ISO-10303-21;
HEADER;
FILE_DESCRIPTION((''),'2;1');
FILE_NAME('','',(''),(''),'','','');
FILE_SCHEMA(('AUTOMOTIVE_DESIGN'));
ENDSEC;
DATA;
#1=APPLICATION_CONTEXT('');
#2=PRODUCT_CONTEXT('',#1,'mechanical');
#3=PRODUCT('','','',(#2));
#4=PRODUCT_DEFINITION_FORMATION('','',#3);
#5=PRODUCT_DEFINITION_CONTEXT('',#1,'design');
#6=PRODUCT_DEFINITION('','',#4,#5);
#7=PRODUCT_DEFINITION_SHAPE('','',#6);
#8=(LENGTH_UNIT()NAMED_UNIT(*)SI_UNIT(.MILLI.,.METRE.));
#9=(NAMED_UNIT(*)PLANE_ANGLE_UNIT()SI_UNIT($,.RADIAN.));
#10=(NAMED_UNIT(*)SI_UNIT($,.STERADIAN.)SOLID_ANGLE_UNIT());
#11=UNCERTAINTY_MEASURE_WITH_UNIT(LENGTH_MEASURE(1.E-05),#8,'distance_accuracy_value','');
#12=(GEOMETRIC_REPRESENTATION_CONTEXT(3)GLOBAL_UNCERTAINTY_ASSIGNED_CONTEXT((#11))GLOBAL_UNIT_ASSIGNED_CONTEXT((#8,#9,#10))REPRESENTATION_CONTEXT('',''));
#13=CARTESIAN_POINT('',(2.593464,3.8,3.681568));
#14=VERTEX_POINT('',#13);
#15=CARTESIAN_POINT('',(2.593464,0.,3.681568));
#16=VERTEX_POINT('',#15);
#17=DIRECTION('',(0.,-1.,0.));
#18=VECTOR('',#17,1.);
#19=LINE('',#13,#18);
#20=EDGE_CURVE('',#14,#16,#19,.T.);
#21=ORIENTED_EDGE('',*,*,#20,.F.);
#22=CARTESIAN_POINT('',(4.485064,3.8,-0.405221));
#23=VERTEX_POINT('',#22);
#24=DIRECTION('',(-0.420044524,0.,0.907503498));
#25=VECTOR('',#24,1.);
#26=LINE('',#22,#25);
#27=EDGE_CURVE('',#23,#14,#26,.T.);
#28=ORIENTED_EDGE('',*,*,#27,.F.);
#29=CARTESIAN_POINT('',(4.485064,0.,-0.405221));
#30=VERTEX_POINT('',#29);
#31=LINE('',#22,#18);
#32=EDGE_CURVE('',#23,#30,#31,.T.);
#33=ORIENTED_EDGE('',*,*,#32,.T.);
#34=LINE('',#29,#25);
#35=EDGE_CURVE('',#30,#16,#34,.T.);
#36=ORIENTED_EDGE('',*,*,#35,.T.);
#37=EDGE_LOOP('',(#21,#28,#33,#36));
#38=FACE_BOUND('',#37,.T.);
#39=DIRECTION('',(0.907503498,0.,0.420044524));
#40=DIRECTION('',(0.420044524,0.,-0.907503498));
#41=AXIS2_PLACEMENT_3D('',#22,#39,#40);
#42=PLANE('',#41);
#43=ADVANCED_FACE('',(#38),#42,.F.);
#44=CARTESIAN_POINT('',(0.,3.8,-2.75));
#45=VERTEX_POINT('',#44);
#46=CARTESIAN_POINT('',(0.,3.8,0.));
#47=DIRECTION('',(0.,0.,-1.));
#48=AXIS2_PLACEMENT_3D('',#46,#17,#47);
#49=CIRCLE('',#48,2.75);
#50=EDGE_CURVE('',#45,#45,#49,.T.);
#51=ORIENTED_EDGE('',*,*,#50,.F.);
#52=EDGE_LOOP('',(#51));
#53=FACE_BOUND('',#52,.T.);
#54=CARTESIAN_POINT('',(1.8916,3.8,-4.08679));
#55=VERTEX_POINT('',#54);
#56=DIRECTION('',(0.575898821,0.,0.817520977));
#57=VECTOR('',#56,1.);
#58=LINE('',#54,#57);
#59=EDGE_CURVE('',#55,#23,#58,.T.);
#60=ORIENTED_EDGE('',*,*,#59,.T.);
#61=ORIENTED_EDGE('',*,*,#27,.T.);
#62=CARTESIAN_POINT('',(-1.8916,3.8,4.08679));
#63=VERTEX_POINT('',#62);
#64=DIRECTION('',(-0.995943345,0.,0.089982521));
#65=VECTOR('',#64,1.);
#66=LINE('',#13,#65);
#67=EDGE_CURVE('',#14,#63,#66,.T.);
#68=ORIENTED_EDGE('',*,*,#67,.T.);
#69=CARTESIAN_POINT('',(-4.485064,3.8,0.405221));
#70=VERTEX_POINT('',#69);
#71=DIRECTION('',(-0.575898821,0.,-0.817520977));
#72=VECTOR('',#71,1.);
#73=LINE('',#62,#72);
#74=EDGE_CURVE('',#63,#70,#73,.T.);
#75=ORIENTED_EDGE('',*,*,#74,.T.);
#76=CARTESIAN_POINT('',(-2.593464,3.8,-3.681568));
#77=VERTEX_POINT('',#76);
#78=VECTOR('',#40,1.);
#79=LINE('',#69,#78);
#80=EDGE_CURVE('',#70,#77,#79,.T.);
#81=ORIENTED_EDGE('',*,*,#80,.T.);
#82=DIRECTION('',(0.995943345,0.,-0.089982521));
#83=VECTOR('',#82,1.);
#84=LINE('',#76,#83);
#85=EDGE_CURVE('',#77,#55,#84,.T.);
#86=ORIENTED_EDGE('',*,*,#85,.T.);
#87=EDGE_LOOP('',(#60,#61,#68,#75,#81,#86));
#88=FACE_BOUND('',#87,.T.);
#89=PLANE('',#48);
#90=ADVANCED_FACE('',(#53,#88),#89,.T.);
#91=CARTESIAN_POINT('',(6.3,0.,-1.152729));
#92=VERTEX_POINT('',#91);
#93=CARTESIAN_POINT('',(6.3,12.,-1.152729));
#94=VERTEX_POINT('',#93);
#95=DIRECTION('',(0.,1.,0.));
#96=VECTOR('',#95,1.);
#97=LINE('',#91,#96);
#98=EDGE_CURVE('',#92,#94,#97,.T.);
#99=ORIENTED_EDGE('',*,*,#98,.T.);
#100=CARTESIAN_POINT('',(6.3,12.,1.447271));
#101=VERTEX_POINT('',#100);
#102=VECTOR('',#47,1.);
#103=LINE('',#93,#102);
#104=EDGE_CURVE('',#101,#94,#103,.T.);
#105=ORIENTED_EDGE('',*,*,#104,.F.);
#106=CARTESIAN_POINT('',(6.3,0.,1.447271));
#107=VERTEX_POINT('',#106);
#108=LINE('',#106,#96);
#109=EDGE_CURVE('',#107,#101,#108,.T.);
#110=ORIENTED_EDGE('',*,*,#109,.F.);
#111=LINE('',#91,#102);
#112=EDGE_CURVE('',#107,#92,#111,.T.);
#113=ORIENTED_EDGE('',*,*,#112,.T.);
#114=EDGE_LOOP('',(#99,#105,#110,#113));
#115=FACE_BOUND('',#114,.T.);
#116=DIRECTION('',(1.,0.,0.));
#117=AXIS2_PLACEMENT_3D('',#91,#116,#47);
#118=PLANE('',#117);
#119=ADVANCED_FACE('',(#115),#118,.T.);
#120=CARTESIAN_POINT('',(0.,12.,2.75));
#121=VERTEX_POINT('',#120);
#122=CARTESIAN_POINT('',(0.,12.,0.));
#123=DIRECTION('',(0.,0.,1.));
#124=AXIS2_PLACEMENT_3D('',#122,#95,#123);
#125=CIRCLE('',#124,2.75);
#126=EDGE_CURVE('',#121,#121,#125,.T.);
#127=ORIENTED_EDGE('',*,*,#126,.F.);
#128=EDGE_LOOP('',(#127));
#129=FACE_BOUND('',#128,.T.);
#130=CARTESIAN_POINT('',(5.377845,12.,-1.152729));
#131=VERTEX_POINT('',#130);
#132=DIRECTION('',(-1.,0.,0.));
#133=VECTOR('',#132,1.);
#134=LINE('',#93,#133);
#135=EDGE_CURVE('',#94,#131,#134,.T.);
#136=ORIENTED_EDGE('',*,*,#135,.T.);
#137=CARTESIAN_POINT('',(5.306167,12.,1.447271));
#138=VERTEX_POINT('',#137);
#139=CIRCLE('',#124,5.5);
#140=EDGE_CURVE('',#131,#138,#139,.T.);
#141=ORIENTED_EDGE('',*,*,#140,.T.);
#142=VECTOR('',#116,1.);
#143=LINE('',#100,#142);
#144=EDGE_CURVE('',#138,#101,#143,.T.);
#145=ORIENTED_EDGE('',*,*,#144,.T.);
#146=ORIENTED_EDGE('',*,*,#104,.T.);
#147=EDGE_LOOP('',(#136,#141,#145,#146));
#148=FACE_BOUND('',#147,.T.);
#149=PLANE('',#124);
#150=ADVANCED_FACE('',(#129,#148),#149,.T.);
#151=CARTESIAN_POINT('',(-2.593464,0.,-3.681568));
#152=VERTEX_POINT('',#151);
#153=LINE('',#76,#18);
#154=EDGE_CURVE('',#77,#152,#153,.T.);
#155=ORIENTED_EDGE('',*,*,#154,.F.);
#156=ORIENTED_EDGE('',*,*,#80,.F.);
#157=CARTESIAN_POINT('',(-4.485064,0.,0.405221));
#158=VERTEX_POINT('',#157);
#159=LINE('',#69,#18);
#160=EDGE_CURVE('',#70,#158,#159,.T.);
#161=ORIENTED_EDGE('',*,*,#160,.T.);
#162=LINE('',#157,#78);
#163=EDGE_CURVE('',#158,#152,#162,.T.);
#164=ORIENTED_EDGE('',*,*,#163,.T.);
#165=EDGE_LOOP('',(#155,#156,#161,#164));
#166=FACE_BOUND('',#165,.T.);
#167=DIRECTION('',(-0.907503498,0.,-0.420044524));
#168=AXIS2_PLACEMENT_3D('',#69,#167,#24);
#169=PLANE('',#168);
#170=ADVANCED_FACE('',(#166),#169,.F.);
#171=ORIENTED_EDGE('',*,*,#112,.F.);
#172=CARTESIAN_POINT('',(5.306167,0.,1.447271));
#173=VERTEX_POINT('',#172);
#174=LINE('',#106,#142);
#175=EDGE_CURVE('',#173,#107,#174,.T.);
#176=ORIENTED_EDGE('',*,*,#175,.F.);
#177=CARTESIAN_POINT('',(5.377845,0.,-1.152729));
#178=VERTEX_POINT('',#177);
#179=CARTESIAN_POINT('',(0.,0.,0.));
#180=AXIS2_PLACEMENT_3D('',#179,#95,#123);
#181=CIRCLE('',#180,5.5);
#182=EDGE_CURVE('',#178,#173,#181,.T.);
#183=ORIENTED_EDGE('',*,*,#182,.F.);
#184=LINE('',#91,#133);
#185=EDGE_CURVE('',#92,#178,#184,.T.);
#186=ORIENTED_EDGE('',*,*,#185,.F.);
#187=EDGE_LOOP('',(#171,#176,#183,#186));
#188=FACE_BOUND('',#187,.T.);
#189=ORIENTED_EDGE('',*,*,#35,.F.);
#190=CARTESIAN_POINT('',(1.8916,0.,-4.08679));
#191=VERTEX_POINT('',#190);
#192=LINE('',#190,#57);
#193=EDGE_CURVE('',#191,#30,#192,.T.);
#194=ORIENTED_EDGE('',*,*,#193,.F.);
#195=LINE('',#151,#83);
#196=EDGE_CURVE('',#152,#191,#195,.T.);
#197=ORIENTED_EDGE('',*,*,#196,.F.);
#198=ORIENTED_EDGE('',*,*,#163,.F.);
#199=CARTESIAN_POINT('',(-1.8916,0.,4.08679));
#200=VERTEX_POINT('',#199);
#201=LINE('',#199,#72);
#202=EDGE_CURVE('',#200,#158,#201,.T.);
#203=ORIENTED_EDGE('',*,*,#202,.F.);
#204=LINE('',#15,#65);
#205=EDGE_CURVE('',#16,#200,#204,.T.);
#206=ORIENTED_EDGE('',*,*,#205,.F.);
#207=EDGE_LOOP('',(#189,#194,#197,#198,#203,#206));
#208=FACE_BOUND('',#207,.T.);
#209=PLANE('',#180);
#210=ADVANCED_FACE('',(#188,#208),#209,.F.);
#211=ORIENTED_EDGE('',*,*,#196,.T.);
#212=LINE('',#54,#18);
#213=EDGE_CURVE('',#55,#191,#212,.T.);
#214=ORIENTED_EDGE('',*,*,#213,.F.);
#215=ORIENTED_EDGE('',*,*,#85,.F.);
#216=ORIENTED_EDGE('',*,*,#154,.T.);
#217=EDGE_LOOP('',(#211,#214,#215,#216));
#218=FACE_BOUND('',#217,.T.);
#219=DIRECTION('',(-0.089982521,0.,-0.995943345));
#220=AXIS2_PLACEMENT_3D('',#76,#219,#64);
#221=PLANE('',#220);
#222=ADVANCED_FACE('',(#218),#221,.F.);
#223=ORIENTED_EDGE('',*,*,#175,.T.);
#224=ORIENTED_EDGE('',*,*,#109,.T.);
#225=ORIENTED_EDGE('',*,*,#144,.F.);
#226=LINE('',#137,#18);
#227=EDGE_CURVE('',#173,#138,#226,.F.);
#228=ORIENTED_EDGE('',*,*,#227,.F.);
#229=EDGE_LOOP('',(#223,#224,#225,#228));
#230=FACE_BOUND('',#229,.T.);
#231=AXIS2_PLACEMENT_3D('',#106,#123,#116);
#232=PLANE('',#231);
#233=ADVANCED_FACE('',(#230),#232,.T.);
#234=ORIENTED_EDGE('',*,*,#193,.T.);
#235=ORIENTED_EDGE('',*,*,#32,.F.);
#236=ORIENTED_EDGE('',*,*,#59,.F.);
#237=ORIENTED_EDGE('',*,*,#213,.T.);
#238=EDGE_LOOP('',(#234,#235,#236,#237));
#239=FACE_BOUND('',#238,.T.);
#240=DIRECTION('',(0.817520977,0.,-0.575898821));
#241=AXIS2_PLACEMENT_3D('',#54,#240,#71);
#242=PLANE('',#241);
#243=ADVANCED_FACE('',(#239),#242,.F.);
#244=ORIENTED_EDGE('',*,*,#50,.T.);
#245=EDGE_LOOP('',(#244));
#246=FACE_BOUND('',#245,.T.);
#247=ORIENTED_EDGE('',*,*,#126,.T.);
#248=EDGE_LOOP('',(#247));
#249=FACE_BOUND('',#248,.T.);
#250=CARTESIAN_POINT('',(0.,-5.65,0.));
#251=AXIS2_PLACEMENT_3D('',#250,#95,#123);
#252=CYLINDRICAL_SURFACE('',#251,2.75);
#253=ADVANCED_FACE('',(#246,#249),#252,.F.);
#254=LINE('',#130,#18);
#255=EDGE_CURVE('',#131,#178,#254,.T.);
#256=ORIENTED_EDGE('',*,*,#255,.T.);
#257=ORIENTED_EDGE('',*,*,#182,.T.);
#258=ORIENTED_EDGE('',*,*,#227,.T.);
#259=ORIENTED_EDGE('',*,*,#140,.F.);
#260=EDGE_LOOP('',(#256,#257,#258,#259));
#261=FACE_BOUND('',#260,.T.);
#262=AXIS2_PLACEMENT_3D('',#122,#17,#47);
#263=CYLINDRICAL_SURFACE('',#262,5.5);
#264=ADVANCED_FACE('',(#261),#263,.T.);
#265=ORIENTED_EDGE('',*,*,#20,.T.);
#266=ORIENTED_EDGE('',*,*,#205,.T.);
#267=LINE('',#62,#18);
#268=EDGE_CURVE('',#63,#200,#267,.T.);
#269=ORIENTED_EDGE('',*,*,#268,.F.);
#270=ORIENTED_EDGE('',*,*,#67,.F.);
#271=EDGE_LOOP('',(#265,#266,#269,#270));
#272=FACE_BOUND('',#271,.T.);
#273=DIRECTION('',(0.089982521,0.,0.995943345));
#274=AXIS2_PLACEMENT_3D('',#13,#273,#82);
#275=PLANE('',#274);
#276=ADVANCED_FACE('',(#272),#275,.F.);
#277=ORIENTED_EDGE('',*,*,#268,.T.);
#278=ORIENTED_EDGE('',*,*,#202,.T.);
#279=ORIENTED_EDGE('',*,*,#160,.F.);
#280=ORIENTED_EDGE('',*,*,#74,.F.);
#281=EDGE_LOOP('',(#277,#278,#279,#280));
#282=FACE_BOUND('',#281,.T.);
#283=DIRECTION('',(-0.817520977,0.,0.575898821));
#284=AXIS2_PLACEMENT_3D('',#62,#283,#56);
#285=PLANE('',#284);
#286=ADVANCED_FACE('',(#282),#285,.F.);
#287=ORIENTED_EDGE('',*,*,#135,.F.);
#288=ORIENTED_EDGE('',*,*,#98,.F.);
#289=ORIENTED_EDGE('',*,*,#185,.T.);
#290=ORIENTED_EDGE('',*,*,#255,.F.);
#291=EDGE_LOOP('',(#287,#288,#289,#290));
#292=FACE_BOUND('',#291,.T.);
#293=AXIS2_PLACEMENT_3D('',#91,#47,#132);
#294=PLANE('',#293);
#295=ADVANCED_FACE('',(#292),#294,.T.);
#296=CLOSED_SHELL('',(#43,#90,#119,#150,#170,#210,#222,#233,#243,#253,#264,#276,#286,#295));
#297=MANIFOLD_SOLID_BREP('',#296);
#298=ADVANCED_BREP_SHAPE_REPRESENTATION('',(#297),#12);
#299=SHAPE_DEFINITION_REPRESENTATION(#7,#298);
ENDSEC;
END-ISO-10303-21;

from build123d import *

# Parameters (mm, degrees)
SKETCH1_R           = 5.5
BOSS_EXTRUDE1_DEPTH = 12
SKETCH2_W           = 3
SKETCH2_H           = 2.6
BOSS_EXTRUDE2_DEPTH = 12
CUT_EXTRUDE1_DEPTH  = 3.8
SKETCH5_R           = 2.75
CUT_EXTRUDE3_DEPTH  = 17.65


with BuildPart() as part:
    # Sketch1 → Boss-Extrude1 (new body)
    with BuildSketch(Plane(origin=(0, 0, 0), x_dir=(1, 0, 0), z_dir=(0, 1, 0))):
        Circle(SKETCH1_R)
    extrude(amount=BOSS_EXTRUDE1_DEPTH)

    # Sketch2 → Boss-Extrude2 (add)
    with BuildSketch(Plane(origin=(0, 12, 0), x_dir=(1, 0, 0), z_dir=(0, 1, 0))):
        with Locations((4.8, -0.147270773)):
            Rectangle(SKETCH2_W, SKETCH2_H)
    extrude(amount=-BOSS_EXTRUDE2_DEPTH)

    # Sketch3 → Cut-Extrude1 (cut)
    with BuildSketch(Plane(origin=(0, 0, 0), x_dir=(-1, 0, 0), z_dir=(0, -1, 0))):
        Polygon((-1.891599986, 4.086789631), (-4.485063634, 0.405221174), (-2.593463648, -3.681568458), (1.891599986, -4.086789631), (4.485063634, -0.405221174), (2.593463648, 3.681568458), align=None)
    extrude(amount=-CUT_EXTRUDE1_DEPTH, mode=Mode.SUBTRACT)

    # Sketch5 → Cut-Extrude3 (cut)
    with BuildSketch(Plane(origin=(0, 12, 0), x_dir=(1, 0, 0), z_dir=(0, 1, 0))):
        Circle(SKETCH5_R)
    extrude(amount=-CUT_EXTRUDE3_DEPTH, mode=Mode.SUBTRACT)


solid = part.part
